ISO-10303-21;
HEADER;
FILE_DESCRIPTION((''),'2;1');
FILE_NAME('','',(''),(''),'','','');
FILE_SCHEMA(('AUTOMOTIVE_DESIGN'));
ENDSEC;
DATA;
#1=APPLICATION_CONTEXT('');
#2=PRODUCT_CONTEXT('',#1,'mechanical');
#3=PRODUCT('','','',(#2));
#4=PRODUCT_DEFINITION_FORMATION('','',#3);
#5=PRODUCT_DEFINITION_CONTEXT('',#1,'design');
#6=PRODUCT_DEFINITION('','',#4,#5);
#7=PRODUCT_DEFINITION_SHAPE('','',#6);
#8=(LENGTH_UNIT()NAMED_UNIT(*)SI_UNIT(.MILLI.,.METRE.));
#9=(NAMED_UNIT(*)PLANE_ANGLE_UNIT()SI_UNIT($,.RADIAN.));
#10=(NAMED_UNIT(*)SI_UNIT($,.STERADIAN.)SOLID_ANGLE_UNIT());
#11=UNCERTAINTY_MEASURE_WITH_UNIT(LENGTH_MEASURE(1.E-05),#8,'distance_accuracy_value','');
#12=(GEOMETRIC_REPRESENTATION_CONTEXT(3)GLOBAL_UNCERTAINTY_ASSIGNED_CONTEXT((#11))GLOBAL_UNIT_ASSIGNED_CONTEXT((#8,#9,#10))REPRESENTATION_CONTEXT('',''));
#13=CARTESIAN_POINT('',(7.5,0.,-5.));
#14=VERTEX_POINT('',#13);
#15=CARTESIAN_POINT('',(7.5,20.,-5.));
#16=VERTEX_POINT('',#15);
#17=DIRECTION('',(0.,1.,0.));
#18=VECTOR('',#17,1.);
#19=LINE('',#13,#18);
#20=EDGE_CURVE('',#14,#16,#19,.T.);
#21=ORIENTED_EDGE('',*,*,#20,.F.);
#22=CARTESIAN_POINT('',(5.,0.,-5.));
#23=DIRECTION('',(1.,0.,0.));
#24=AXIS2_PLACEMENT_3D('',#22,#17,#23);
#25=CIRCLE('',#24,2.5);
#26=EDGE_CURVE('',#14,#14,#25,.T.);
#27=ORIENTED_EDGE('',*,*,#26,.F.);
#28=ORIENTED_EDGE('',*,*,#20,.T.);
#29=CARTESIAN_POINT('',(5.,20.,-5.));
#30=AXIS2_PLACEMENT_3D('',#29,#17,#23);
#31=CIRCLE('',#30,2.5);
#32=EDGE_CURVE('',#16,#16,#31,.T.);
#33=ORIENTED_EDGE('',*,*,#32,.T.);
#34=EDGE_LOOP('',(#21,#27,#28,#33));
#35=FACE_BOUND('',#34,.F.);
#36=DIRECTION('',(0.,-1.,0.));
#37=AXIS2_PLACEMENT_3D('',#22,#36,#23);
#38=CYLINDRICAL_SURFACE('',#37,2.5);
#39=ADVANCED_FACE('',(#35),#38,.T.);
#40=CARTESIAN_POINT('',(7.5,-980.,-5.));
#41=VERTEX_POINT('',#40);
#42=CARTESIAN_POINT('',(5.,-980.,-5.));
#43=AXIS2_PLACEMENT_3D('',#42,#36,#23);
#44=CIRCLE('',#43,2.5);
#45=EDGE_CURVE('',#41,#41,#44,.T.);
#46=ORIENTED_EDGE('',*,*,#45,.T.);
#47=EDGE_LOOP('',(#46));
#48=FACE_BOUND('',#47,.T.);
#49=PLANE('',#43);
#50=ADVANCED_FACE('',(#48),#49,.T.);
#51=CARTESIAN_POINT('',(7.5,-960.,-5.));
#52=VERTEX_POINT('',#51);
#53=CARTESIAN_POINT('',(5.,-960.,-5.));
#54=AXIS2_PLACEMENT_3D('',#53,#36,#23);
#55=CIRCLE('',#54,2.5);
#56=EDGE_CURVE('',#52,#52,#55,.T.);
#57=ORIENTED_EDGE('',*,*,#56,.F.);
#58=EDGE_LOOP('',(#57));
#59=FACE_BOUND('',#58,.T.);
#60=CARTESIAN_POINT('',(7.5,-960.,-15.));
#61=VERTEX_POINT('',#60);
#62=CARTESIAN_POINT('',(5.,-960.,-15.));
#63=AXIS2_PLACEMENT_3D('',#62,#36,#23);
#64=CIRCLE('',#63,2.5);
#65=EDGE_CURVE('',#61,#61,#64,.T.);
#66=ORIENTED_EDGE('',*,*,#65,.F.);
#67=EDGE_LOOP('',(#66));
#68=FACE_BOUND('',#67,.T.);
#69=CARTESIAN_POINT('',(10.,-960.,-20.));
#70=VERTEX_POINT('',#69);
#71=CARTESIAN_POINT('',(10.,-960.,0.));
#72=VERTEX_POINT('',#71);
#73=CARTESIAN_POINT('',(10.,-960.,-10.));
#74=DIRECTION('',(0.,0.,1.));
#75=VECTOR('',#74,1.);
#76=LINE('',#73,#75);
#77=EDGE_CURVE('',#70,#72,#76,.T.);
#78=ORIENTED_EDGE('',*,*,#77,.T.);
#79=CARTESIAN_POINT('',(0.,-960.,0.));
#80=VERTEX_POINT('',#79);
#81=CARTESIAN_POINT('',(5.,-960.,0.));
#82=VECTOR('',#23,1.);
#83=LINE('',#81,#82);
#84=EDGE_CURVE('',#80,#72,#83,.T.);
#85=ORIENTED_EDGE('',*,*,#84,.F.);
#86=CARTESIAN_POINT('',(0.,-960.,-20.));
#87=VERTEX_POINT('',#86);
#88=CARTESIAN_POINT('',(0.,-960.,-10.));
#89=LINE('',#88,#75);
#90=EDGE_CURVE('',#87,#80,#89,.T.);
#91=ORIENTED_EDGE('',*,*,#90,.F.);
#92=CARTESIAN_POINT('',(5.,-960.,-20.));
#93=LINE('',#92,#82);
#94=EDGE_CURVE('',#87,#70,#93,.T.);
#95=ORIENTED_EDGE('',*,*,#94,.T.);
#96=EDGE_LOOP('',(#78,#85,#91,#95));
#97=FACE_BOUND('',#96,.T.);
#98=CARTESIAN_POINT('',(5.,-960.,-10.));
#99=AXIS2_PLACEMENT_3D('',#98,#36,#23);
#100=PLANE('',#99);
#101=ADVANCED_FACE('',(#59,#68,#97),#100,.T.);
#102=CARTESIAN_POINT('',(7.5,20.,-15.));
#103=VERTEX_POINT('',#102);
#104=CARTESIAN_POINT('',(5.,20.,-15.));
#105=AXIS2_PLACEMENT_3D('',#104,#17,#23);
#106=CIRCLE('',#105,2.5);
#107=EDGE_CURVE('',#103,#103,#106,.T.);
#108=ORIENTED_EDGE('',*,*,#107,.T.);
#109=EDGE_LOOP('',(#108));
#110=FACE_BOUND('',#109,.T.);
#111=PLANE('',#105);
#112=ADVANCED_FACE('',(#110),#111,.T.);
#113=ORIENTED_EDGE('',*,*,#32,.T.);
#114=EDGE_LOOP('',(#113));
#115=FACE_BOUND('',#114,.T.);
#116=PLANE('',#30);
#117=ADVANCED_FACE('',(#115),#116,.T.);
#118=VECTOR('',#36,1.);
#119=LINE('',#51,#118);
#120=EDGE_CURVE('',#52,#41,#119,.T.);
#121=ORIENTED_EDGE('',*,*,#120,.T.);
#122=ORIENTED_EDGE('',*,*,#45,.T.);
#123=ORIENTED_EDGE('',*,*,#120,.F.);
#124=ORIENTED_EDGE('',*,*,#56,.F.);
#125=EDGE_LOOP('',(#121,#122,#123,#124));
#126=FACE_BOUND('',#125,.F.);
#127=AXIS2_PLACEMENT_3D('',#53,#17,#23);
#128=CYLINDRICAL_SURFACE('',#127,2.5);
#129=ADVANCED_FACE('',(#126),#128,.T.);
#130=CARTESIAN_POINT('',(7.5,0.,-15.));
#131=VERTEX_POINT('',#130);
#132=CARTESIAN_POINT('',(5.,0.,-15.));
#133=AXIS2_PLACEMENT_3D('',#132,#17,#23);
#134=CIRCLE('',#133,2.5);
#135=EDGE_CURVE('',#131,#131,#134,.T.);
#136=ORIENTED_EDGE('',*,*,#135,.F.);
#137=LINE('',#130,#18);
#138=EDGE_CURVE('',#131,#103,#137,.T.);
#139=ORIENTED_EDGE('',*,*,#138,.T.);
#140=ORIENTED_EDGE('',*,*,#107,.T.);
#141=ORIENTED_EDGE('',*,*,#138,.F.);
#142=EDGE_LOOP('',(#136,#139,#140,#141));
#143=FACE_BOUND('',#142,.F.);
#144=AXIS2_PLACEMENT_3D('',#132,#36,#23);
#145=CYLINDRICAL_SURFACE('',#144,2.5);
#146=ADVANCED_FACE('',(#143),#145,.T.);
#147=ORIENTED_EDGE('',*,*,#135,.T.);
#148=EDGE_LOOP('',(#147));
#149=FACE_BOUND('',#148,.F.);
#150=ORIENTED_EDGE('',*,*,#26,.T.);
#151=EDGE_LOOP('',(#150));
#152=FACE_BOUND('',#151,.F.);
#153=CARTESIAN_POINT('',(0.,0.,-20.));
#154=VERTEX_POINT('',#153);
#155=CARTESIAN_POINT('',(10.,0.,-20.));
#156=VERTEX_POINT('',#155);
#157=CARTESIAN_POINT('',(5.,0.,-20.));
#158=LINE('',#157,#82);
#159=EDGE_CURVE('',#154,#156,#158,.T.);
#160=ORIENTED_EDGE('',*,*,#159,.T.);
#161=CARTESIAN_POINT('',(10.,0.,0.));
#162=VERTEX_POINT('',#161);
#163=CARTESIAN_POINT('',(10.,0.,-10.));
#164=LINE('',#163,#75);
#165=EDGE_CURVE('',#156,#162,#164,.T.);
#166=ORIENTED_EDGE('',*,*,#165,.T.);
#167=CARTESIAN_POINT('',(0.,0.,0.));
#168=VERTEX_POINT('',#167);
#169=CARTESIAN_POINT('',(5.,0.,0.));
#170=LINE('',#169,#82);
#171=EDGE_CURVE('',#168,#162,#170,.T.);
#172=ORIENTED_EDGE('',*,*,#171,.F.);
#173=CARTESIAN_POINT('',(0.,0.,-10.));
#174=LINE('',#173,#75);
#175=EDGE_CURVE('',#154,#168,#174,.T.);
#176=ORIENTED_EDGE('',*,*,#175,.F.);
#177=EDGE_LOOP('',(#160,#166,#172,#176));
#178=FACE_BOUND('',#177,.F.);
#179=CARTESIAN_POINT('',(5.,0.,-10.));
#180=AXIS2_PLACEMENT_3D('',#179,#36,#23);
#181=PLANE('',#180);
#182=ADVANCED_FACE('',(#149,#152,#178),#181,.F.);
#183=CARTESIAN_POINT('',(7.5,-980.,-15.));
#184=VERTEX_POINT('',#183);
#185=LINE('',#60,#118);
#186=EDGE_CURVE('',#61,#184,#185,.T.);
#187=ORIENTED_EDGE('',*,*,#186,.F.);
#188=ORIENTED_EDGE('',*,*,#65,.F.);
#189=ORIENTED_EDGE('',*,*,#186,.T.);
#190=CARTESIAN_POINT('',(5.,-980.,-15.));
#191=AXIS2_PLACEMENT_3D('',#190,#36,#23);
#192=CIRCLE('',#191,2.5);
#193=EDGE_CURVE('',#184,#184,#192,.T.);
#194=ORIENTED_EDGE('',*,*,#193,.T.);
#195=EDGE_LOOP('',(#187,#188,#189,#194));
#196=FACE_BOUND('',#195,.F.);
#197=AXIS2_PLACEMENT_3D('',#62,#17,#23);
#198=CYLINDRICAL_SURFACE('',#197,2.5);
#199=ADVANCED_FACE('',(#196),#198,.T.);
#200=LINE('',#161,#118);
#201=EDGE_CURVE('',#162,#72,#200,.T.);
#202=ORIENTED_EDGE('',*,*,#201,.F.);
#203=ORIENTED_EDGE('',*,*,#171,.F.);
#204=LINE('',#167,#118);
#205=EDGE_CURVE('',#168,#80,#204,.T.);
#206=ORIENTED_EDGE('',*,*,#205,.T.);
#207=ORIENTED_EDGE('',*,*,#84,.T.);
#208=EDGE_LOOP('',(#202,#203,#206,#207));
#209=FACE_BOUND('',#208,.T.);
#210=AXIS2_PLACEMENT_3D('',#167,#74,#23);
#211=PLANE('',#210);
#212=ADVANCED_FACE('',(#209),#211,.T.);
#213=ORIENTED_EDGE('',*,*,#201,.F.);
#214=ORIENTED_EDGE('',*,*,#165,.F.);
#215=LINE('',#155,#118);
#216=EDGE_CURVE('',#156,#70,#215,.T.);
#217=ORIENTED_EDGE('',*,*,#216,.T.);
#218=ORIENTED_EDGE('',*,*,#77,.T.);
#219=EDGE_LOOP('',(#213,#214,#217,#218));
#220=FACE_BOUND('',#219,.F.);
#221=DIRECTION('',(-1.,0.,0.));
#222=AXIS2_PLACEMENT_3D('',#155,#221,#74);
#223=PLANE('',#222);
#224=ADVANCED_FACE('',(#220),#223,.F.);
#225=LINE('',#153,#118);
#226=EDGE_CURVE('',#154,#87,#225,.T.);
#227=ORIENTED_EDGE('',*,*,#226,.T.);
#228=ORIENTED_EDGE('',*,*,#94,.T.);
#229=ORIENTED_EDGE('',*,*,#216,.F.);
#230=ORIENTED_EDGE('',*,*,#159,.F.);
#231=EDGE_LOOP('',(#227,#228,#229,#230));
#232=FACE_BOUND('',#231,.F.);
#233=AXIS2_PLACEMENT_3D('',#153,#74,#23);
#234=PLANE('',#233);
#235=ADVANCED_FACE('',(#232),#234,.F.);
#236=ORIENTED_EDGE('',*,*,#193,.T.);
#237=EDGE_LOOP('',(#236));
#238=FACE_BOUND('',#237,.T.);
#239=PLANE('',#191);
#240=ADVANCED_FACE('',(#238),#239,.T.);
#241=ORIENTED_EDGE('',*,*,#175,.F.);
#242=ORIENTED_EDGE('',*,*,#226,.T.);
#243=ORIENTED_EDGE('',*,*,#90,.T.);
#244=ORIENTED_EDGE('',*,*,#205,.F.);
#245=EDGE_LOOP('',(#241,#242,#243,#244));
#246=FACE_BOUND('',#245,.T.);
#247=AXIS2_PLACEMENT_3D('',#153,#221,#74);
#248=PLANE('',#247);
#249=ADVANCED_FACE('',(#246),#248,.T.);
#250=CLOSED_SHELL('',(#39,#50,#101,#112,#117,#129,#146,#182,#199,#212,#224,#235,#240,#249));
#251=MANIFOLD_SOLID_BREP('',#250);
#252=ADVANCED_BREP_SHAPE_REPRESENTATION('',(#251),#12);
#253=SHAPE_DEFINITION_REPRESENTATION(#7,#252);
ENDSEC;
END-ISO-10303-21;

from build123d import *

# Parameters (mm, degrees)
SKETCH_W     = 10
SKETCH_H     = 20
PAD_DEPTH    = 960
SKETCH001_R  = 2.5
PAD001_DEPTH = 20
SKETCH002_R  = 2.5
PAD002_DEPTH = 20


with BuildPart() as part:
    # Sketch → Pad (new body)
    with BuildSketch(Plane.XZ):
        with Locations((5, -10)):
            Rectangle(SKETCH_W, SKETCH_H)
    extrude(amount=PAD_DEPTH)

    # Sketch001 (on Face6 of Pad) → Pad001 (join)
    with BuildSketch(Plane.XZ.offset(960)):
        with Locations((5, -5)):
            Circle(SKETCH001_R)
        with Locations((5, -15)):
            Circle(SKETCH001_R)
    extrude(amount=PAD001_DEPTH)

    # Sketch002 (on Face4 of Pad001) → Pad002 (join)
    with BuildSketch(Plane(origin=(0, 0, 0), x_dir=(1, 0, 0), z_dir=(0, 1, 0))):
        with Locations((5, 15)):
            Circle(SKETCH002_R)
        with Locations((5, 5)):
            Circle(SKETCH002_R)
    extrude(amount=PAD002_DEPTH)


solid = part.part
